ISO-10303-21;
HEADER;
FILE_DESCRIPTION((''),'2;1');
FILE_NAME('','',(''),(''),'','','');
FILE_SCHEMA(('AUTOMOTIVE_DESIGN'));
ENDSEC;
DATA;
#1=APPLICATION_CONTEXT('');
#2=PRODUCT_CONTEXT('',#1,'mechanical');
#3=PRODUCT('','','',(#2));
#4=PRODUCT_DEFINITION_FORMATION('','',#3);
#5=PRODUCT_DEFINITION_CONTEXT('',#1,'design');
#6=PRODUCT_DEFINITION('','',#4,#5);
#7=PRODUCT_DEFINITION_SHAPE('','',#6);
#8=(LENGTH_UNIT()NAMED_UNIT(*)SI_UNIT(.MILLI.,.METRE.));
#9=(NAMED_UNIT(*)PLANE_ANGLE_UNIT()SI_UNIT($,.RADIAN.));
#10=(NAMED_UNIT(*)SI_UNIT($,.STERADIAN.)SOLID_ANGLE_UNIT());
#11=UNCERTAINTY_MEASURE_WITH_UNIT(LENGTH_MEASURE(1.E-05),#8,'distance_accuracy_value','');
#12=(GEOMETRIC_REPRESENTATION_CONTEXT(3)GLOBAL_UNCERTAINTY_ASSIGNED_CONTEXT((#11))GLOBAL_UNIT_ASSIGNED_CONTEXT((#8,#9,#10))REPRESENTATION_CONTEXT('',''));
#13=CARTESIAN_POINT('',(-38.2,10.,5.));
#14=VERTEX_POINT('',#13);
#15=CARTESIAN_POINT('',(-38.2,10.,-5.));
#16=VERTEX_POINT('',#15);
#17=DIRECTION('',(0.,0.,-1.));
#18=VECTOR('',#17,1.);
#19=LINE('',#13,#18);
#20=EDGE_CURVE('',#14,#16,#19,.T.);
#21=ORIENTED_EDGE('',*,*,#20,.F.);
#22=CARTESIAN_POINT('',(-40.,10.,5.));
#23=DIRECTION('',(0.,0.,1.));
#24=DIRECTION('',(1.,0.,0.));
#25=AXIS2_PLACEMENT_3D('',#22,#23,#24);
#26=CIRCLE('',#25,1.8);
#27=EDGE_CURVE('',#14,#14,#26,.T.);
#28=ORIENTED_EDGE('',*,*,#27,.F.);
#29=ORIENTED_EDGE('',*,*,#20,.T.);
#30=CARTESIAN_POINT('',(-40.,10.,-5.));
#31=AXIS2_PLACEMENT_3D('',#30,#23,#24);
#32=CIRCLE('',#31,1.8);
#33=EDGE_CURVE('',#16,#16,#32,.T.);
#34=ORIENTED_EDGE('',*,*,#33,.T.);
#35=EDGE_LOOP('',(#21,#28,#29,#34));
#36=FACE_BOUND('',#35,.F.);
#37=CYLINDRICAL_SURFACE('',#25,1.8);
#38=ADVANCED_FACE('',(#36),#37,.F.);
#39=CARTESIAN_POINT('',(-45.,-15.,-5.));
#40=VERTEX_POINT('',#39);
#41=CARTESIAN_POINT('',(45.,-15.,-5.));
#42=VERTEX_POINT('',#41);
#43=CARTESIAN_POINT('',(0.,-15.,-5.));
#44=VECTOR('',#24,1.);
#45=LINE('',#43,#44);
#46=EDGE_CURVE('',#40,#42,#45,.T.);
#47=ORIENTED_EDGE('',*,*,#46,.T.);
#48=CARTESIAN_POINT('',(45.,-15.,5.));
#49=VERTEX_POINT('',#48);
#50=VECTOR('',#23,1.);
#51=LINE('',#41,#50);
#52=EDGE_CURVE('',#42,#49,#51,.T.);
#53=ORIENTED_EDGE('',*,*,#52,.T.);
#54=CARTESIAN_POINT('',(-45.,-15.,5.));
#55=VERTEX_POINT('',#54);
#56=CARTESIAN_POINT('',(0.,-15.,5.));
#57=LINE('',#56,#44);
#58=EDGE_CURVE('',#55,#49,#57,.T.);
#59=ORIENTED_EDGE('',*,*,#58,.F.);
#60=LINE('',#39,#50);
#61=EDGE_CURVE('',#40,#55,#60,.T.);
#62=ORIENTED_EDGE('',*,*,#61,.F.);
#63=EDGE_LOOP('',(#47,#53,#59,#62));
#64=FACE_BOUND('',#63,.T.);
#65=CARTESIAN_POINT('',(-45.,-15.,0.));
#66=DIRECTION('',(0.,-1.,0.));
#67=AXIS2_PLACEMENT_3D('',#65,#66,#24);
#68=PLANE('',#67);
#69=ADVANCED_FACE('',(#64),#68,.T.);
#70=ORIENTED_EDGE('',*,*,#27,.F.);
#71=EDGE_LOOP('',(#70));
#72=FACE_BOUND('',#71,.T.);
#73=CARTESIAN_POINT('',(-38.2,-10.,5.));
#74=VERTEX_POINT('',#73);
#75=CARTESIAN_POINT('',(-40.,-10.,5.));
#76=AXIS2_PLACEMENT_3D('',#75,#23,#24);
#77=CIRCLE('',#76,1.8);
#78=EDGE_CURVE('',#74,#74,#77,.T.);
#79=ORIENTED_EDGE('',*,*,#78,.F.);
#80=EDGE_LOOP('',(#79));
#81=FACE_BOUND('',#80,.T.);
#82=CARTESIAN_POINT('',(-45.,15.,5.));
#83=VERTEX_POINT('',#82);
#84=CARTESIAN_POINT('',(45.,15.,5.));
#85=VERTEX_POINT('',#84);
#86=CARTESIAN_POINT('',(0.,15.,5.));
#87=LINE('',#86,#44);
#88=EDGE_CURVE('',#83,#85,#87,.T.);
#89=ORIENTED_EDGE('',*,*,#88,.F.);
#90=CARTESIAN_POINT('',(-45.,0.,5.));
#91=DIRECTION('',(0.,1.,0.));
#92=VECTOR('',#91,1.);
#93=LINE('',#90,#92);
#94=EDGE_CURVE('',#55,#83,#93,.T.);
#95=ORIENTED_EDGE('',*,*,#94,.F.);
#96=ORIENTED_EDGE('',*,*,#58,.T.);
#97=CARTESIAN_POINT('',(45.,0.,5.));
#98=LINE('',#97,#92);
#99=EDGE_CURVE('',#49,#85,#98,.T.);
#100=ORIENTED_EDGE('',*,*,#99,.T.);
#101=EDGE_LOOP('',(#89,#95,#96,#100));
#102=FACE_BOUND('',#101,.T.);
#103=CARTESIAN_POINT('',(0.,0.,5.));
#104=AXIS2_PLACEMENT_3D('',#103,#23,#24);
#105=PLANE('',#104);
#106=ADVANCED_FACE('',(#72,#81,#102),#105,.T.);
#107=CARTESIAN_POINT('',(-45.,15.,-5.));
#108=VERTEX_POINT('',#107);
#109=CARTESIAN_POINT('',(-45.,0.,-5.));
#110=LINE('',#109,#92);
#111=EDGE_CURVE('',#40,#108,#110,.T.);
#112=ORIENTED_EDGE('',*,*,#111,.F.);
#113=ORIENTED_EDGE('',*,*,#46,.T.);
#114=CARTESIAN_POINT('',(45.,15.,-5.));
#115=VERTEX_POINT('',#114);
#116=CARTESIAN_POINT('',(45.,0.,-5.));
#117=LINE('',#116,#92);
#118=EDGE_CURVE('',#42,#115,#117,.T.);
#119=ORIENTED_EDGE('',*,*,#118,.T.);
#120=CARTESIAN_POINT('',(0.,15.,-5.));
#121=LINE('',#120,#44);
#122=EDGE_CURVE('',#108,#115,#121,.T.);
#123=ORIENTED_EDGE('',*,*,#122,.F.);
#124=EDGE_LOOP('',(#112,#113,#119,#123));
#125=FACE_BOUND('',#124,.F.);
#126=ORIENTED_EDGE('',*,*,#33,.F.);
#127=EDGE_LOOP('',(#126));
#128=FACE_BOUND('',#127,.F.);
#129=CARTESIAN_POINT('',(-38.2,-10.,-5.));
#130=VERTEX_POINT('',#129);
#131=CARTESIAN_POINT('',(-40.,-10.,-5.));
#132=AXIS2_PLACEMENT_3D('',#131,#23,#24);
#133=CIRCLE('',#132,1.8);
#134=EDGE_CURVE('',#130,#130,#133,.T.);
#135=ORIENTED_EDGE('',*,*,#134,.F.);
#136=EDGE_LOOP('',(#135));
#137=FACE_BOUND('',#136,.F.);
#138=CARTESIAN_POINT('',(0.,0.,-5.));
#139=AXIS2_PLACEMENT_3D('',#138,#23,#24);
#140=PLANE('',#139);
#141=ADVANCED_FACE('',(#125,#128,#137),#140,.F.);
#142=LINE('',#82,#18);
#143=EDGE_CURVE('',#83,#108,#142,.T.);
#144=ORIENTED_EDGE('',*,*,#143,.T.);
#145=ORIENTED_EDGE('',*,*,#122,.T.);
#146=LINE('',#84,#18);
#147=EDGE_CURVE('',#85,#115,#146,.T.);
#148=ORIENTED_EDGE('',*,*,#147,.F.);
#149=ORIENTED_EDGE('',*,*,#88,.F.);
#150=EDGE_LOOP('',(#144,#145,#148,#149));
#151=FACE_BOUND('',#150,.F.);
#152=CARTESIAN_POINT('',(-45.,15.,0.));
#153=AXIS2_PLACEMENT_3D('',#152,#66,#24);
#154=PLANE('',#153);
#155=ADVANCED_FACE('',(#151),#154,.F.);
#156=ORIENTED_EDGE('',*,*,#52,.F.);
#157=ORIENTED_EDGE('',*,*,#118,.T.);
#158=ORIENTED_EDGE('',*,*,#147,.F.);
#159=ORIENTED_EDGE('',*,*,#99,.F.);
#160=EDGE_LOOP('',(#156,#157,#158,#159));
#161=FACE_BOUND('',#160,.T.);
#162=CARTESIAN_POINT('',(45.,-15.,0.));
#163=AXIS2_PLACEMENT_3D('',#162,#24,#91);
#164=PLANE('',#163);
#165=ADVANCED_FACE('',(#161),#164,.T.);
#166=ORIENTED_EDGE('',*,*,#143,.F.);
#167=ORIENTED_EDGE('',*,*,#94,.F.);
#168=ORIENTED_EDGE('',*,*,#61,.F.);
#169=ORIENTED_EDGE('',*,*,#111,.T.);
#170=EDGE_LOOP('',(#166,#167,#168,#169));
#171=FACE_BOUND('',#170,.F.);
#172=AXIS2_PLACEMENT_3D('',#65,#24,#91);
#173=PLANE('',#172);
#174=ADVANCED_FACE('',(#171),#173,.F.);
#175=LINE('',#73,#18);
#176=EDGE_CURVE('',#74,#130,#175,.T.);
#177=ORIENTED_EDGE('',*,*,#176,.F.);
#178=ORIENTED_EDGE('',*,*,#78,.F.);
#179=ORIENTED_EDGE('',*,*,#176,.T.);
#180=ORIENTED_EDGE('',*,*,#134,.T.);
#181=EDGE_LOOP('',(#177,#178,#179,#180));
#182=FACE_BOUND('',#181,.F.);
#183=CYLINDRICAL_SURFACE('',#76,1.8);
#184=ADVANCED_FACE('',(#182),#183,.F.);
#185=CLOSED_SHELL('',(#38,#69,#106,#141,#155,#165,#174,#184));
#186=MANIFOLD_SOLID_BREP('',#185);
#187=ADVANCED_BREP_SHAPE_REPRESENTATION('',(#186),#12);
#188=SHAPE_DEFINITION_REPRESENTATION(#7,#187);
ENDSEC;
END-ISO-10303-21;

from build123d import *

# Parameters (mm, degrees)
F0_W     = 90
F0_H     = 30
F1_DEPTH = 5
F2_R     = 1.8
F3_DEPTH = 21
F4_R     = 1.8
F5_DEPTH = 21


with BuildPart() as f1:
    # F0 (on Top) → F1 (new body, symmetric)
    with BuildSketch(Plane.XY):
        Rectangle(F0_W, F0_H)
    extrude(amount=F1_DEPTH, both=True)

    # F2 (on face) → F3 (cut)
    with BuildSketch(Plane.XY.offset(5)):
        with Locations((-40, 10)):
            Circle(F2_R)
    extrude(amount=-F3_DEPTH, mode=Mode.SUBTRACT)

    # F4 (on face) → F5 (cut)
    with BuildSketch(Plane.XY.offset(5)):
        with Locations((-40, -10)):
            Circle(F4_R)
    extrude(amount=-F5_DEPTH, mode=Mode.SUBTRACT)


solid = f1.part
